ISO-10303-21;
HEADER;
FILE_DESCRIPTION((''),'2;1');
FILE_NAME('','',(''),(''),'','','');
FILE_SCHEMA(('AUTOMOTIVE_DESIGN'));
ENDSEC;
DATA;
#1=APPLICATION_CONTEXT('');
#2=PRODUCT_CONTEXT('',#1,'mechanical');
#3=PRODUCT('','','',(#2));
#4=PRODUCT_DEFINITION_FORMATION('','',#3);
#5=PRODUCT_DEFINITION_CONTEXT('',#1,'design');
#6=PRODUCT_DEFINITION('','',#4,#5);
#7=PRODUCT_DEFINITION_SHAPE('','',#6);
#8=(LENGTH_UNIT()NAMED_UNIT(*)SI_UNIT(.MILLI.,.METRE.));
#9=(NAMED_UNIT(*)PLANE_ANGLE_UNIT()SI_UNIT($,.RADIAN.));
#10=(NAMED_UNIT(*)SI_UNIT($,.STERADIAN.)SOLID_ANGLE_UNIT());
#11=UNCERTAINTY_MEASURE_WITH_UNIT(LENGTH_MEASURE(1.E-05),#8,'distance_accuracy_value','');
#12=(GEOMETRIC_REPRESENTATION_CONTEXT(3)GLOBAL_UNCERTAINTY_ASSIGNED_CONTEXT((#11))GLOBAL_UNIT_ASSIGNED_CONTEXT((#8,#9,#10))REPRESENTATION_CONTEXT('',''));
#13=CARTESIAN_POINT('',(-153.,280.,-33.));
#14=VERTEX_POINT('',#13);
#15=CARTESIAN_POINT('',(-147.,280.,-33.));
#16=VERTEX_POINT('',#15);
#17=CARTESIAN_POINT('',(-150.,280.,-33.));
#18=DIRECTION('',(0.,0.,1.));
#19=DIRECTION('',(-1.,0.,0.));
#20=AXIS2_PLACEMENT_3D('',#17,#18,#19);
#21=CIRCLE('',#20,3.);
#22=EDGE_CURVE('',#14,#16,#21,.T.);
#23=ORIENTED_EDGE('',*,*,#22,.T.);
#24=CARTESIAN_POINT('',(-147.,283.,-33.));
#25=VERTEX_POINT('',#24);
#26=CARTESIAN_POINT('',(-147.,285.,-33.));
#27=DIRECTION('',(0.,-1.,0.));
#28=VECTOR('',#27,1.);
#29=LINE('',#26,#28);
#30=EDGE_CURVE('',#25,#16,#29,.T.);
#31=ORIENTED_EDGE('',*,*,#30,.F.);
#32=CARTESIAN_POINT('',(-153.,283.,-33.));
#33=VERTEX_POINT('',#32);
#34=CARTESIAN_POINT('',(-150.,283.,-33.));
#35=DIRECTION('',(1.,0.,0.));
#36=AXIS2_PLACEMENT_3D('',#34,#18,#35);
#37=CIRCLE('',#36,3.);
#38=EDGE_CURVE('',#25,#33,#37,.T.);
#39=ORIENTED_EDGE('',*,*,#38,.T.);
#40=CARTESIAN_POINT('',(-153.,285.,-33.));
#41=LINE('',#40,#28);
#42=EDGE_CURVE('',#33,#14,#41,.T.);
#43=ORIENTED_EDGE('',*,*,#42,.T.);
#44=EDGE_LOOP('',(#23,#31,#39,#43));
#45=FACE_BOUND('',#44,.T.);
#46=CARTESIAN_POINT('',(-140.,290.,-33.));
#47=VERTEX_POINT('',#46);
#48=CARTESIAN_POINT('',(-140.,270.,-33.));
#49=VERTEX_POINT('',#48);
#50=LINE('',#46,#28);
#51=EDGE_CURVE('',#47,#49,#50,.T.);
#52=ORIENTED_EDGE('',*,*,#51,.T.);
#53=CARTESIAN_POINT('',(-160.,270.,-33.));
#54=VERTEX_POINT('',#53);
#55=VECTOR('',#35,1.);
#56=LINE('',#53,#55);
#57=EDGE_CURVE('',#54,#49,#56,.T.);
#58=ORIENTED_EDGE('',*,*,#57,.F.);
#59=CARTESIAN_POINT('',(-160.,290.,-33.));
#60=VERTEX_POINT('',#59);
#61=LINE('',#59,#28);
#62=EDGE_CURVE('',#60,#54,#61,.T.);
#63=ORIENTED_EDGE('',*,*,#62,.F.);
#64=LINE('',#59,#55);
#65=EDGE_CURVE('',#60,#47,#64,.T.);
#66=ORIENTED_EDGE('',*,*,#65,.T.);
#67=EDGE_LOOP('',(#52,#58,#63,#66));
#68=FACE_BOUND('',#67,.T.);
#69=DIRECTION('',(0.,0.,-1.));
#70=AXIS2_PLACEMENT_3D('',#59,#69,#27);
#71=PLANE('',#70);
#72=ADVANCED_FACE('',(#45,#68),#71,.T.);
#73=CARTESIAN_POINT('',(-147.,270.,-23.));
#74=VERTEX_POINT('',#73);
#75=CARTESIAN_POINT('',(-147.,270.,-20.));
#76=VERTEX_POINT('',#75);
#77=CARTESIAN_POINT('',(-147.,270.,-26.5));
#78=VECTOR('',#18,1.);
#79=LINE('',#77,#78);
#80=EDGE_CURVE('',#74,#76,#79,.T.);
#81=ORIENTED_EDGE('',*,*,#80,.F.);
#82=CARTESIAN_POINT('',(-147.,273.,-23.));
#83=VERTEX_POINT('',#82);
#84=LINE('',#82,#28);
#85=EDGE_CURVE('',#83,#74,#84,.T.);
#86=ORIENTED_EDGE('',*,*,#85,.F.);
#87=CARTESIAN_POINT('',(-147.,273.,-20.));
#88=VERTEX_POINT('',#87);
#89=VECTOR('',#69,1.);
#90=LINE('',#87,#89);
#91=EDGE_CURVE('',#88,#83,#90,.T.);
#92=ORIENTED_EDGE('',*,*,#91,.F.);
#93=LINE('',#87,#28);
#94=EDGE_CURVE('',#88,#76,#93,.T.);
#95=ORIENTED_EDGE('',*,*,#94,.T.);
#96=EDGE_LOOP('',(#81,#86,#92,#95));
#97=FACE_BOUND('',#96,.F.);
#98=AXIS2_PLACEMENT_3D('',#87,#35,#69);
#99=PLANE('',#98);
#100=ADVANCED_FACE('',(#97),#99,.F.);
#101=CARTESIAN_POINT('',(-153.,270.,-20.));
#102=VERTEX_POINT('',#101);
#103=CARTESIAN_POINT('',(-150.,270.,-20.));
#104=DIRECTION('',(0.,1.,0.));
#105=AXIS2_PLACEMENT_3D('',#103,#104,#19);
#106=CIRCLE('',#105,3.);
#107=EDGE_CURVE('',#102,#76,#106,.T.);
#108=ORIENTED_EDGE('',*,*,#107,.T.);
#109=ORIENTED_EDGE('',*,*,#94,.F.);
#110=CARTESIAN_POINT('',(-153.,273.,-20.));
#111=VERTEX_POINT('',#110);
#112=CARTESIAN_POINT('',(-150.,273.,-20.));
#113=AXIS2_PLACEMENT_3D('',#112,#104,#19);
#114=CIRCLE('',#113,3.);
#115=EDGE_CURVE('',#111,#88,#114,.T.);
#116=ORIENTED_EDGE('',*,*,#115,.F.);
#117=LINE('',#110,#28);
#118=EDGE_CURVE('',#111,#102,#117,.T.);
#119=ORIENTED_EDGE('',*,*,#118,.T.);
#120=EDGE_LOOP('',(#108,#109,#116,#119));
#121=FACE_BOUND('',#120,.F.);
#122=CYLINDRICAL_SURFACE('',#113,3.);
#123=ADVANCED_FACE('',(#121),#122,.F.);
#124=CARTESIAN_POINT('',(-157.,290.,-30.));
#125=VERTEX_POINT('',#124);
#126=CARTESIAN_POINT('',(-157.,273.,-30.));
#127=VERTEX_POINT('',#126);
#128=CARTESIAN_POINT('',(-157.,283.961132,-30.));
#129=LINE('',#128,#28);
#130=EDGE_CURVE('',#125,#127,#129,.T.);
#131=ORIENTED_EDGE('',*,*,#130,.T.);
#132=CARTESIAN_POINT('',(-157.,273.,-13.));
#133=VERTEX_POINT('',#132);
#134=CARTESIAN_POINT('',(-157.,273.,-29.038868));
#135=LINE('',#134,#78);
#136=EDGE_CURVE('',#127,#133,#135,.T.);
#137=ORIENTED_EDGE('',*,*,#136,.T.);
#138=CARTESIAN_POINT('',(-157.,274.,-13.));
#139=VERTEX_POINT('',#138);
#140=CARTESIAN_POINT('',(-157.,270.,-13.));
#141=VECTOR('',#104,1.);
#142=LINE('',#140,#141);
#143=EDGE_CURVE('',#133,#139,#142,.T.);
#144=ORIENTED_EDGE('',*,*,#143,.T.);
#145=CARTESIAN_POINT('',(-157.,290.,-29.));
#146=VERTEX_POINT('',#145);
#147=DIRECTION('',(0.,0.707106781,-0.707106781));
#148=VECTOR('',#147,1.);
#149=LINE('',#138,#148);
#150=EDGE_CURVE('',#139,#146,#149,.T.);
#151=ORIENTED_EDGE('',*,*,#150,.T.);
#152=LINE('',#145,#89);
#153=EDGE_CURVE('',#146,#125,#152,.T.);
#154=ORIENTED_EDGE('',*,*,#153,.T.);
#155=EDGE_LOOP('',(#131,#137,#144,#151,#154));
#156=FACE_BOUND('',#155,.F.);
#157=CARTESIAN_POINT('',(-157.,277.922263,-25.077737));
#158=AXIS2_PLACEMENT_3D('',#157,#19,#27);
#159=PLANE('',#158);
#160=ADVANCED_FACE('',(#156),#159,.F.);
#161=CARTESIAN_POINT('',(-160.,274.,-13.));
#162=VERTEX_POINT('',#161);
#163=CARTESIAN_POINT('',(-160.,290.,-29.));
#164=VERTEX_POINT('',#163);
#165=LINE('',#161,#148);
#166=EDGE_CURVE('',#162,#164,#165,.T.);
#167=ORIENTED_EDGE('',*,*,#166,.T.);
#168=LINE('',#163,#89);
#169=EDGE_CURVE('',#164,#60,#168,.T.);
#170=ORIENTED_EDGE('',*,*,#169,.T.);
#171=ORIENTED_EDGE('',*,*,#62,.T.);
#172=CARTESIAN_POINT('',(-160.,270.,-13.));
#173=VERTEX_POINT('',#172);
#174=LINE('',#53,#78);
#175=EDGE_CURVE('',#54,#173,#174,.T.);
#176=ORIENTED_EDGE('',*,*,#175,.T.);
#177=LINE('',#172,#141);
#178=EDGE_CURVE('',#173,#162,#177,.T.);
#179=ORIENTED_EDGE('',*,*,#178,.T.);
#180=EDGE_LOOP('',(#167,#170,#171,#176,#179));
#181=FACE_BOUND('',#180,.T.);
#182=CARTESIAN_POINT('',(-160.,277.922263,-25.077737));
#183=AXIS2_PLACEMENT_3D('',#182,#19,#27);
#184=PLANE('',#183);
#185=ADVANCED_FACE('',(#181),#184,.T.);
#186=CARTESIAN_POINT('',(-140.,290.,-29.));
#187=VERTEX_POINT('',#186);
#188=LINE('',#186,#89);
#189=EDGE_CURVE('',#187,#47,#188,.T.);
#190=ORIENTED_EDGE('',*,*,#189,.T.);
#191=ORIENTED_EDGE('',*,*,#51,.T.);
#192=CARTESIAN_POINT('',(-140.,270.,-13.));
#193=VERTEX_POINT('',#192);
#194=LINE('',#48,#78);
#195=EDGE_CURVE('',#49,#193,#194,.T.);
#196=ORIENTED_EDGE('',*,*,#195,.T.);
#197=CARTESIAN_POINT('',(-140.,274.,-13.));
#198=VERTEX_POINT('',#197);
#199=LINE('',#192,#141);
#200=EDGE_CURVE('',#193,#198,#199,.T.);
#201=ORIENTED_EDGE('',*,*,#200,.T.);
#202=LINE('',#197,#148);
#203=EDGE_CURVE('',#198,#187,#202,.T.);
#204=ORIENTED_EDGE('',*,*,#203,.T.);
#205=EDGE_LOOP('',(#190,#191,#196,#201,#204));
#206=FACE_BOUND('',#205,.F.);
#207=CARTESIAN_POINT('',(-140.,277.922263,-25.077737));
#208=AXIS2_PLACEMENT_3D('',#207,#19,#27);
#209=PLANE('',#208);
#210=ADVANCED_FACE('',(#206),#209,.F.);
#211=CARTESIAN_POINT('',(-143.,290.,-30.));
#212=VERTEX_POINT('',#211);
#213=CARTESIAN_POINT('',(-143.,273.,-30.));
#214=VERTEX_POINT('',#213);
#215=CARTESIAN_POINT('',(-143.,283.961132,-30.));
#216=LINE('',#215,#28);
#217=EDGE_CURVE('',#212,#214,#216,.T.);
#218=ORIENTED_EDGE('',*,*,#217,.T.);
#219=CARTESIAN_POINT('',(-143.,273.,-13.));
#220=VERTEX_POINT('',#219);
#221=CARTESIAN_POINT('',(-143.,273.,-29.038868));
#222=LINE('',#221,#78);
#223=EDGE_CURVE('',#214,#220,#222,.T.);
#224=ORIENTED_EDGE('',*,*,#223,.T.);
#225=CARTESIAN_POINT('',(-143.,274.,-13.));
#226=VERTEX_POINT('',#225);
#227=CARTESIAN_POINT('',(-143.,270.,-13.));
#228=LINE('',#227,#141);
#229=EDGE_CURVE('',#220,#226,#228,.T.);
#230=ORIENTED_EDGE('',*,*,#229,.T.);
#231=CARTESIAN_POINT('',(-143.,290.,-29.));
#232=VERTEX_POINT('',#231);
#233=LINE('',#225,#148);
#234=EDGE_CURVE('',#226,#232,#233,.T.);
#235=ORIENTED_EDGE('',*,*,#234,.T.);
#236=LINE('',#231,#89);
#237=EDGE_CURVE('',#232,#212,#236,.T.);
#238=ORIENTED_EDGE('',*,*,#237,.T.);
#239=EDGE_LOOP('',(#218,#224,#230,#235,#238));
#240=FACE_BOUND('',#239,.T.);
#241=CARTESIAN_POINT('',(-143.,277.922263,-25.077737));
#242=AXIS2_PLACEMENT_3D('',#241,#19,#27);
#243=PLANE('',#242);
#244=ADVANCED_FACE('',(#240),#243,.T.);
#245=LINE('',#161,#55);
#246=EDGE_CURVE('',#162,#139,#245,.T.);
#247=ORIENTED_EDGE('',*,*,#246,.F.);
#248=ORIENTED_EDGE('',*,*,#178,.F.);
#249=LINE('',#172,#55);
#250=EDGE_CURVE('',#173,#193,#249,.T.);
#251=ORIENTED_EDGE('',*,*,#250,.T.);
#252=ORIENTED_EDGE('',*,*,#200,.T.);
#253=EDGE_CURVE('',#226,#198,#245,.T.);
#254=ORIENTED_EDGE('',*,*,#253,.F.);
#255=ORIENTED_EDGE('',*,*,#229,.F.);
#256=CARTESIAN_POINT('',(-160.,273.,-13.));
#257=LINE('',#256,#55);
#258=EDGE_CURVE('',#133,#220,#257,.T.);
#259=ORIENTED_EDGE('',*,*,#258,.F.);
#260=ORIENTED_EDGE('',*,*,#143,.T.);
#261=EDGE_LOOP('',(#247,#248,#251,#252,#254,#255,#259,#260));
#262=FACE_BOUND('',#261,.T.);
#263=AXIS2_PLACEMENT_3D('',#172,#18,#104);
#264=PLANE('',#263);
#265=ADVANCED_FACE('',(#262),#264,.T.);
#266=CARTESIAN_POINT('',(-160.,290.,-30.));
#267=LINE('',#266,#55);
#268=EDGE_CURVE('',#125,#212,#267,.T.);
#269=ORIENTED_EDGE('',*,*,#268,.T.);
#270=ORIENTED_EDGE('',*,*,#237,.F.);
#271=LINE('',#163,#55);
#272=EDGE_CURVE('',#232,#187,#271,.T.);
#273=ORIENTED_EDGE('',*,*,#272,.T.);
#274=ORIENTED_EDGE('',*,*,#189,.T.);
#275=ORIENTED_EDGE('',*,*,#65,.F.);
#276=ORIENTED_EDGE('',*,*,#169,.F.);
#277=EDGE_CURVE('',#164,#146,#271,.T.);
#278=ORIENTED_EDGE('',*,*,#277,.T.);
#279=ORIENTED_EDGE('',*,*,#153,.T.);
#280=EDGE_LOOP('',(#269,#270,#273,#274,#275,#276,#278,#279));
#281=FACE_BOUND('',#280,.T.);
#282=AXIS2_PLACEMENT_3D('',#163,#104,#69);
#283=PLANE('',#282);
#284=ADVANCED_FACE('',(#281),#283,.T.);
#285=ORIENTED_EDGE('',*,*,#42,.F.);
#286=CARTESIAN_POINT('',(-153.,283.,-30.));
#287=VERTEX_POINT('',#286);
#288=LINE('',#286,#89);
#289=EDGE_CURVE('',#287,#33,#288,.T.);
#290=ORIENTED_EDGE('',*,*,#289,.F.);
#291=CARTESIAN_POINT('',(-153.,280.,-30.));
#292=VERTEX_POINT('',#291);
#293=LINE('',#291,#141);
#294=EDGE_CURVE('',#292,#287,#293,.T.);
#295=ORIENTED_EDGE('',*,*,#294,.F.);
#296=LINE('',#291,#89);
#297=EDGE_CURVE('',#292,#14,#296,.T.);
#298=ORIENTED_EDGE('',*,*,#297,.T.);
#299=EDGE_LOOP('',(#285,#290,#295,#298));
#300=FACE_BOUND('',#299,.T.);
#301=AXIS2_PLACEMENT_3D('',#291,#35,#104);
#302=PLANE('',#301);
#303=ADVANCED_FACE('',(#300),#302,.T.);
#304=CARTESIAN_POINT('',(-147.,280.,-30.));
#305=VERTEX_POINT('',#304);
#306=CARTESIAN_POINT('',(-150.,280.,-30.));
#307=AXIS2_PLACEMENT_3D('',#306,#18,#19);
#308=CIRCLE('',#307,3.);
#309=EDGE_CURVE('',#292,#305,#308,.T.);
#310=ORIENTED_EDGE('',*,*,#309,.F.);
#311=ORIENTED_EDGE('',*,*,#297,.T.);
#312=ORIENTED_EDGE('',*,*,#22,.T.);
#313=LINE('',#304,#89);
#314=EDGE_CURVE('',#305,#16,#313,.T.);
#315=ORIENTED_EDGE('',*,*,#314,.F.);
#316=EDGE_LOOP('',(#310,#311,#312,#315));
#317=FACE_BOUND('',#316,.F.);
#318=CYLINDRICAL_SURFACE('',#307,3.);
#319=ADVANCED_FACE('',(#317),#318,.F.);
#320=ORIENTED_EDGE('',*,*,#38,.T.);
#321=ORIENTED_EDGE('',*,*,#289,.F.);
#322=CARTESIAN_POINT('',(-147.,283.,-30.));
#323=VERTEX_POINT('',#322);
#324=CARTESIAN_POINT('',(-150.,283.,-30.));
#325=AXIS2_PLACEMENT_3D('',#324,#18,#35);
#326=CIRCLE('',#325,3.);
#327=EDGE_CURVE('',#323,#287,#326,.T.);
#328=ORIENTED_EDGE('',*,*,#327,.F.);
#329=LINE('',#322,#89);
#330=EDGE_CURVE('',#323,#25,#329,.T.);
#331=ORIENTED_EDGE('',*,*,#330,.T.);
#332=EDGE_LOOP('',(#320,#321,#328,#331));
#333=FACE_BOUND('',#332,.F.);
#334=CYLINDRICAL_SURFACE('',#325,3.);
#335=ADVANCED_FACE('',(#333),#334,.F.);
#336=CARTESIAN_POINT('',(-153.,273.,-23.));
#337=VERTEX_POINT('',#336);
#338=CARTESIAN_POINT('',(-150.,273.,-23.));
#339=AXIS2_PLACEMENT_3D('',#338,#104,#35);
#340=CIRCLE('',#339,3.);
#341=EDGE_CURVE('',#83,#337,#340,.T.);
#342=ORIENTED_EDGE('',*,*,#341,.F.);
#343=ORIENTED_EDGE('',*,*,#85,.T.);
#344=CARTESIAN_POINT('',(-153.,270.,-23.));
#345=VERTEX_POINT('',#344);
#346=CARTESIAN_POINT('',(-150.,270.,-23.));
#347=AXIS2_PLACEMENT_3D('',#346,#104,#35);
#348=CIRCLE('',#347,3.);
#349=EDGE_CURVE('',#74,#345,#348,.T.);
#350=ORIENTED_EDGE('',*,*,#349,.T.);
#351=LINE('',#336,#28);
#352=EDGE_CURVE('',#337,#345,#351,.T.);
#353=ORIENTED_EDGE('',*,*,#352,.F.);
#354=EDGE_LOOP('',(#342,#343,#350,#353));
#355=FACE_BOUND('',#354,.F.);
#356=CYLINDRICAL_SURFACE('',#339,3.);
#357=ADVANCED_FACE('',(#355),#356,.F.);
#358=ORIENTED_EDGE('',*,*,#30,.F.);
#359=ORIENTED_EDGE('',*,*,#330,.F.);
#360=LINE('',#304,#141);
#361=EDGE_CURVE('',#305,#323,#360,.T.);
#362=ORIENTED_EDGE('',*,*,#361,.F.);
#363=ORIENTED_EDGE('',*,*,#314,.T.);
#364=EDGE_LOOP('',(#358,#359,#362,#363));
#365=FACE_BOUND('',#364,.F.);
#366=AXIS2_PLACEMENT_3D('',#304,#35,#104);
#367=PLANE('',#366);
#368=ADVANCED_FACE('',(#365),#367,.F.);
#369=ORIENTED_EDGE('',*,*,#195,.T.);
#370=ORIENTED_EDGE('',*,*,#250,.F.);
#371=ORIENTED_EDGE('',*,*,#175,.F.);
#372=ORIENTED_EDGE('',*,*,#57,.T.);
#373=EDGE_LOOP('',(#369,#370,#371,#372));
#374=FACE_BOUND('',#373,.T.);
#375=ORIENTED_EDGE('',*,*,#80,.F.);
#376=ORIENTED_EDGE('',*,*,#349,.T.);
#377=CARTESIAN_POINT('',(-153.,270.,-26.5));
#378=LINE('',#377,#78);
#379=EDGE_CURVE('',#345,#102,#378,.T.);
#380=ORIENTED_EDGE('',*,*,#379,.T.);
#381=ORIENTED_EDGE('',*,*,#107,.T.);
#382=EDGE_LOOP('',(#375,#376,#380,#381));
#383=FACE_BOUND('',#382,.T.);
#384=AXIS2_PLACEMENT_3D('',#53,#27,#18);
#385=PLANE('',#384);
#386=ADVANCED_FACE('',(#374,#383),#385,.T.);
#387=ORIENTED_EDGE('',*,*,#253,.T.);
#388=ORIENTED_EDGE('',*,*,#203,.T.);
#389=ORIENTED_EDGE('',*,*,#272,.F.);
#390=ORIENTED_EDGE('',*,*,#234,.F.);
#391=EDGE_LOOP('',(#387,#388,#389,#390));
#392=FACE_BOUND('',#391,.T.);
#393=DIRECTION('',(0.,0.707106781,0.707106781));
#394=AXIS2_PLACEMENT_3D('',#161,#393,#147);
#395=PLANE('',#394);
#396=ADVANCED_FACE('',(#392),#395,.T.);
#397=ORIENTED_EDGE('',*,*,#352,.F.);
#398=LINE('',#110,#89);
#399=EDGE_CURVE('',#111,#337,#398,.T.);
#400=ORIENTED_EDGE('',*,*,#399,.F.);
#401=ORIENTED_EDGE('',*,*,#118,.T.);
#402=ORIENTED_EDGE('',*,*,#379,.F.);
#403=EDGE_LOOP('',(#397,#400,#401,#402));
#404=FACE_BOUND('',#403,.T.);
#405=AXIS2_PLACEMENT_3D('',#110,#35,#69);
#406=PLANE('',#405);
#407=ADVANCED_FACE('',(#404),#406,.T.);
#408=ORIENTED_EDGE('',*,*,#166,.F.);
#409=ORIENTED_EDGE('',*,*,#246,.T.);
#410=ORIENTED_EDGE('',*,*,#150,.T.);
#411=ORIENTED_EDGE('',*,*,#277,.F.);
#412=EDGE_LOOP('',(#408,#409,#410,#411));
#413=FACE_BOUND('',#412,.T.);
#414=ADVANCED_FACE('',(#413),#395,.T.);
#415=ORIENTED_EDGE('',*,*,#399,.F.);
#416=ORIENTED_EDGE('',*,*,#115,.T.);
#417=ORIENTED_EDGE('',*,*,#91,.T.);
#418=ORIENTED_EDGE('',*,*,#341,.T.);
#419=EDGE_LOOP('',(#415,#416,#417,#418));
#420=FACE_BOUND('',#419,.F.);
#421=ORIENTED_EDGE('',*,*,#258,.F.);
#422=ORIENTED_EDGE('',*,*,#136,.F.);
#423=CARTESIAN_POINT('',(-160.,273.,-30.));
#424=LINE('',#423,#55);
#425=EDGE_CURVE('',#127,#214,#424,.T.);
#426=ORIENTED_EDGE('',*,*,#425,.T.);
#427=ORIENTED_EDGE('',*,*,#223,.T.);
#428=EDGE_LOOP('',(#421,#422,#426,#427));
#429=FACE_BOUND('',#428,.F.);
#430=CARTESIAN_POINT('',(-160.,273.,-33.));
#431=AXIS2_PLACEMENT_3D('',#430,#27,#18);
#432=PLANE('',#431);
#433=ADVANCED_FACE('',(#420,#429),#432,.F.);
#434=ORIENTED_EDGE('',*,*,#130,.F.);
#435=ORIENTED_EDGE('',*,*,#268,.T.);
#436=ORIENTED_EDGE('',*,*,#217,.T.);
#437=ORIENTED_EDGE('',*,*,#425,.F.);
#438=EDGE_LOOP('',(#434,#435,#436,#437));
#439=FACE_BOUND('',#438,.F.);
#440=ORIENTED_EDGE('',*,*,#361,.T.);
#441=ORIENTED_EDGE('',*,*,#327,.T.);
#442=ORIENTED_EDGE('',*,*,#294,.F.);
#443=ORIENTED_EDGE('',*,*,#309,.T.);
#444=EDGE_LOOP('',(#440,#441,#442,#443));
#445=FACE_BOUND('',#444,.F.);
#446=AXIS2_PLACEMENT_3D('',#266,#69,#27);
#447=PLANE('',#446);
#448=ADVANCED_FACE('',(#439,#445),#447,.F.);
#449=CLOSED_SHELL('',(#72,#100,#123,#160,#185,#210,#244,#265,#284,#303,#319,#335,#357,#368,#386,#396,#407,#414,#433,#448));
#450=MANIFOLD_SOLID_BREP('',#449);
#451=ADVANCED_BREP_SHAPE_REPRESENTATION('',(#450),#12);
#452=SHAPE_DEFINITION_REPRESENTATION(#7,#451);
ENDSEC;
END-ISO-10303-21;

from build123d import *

# Parameters (mm, degrees)
PAD102_DEPTH            = 20
THICKNESS001_T          = -3
POCKET077_DEPTH         = 5
POCKET078_DEPTH         = 5
BODY127_PLACEMENT_ANGLE = 90


with BuildPart() as part:
    # Sketch211 (on XZ_Plane1033 of Origin1405) → Pad102 (new body)
    with BuildSketch(Plane.XZ):
        Polygon((0, 0), (0, 20), (4, 20), (20, 4), (20, 0), align=None)
    extrude(amount=PAD102_DEPTH)

    # Thickness001
    thickness001_openings = [part.faces().sort_by_distance(p)[0] for p in [
        (2, -10, 20),
        (12, -10, 12),
        (20, -10, 2),
    ]]
    offset(amount=THICKNESS001_T, openings=thickness001_openings)

    # Sketch212 (on Face11 of Thickness001) → Pocket077 (cut)
    with BuildSketch(Plane.YZ.offset(3)):
        with BuildLine():
            ThreePointArc((-7, 13), (-10, 16), (-13, 13))
            Line((-13, 13), (-13, 10))
            ThreePointArc((-13, 10), (-10, 7), (-7, 10))
            Line((-7, 13), (-7, 10))
        make_face()
    extrude(amount=-POCKET077_DEPTH, mode=Mode.SUBTRACT)

    # Sketch213 (on Face16 of Pocket077) → Pocket078 (cut)
    with BuildSketch(Plane.XY.offset(3)):
        with BuildLine():
            ThreePointArc((10, -7), (7, -10), (10, -13))
            Line((10, -13), (13, -13))
            ThreePointArc((13, -13), (16, -10), (13, -7))
            Line((10, -7), (13, -7))
        make_face()
    extrude(amount=-POCKET078_DEPTH, mode=Mode.SUBTRACT)


with BuildPart() as part_1:
    # Body127 placement: moved
    add(part.part.moved(Location((-160, 270, -33))).rotate(Axis((-160, 270, -33), (0, 0, 1)), BODY127_PLACEMENT_ANGLE))


solid = part_1.part
